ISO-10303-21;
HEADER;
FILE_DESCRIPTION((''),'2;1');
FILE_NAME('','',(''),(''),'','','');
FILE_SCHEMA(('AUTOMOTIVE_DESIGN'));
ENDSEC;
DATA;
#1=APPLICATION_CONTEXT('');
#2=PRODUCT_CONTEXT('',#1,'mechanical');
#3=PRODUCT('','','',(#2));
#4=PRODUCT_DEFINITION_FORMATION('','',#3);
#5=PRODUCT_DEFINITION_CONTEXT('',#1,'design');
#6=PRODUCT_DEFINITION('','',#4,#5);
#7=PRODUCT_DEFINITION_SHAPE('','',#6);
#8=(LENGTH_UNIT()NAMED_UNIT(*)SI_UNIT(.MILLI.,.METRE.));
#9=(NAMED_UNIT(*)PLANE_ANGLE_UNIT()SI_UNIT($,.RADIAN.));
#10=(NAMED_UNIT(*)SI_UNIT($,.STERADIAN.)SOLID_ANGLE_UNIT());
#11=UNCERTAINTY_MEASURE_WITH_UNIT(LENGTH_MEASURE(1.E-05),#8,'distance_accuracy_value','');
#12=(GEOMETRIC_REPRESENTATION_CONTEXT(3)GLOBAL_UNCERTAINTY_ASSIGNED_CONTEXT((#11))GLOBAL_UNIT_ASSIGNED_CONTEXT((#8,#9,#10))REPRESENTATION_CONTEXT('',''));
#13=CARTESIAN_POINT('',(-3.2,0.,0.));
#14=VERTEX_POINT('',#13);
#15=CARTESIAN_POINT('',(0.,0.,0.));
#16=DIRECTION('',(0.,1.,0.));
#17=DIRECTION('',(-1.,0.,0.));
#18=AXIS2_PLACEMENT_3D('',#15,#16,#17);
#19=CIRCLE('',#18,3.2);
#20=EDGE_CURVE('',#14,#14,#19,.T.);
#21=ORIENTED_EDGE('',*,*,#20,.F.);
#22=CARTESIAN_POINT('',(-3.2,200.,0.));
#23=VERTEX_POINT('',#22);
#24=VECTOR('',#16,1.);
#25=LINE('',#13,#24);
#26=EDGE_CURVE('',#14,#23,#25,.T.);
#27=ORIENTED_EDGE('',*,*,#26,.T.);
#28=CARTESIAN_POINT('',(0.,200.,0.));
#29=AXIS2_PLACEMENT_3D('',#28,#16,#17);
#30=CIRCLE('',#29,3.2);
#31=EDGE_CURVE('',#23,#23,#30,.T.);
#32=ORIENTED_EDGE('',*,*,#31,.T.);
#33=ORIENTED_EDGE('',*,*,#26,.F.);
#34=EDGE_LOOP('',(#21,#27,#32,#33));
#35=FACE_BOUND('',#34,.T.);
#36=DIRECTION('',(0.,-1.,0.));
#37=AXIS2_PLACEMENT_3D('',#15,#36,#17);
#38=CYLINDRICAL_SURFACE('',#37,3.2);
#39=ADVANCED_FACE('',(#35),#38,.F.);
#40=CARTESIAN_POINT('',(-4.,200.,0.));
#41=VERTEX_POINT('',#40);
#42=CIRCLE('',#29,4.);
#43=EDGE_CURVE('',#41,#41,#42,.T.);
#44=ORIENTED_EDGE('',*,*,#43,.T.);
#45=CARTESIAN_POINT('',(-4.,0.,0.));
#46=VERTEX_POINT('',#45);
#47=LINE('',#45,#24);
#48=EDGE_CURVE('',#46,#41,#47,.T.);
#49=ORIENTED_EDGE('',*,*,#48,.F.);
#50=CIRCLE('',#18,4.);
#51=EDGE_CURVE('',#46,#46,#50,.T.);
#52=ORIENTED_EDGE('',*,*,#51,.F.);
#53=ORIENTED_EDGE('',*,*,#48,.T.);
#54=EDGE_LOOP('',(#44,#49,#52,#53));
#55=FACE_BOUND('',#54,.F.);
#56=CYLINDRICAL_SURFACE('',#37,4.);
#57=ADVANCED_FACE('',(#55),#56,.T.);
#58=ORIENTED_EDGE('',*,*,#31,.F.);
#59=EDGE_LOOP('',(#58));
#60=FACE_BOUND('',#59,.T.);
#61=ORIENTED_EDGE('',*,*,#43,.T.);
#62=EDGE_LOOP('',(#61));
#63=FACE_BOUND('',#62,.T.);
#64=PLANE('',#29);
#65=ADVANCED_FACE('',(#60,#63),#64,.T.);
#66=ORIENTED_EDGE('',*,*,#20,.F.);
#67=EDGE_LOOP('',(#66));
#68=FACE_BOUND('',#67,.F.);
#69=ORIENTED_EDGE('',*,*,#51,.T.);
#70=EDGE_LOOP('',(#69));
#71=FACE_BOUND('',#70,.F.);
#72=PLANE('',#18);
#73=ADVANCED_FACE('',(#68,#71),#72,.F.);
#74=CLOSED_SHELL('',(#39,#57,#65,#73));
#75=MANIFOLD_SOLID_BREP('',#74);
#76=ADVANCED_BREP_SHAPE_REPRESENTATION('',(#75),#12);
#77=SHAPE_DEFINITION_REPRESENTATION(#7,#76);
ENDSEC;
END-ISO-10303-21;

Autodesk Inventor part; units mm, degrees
ref_plane "YZ Plane" through (0, 0, 0) normal (1, 0, 0) x (0, 1, 0)
ref_plane "XZ Plane" through (0, 0, 0) normal (0, 1, 0) x (-1, 0, 0)
ref_plane "XY Plane" through (0, 0, 0) normal (0, 0, 1) x (1, 0, 0)
sketch "Esquisse1" plane through (0, 0, 0) normal (0, 1, 0) x (-1, 0, 0)
  circle A0 centre (0, 0) radius 4
  circle A1 centre (0, 0) radius 3.2
  dimension "d0" = 8
  dimension "d1" = 6.4
extrude "Extrusion1" add sketch "Esquisse1" along normal blind 200
properties part number "Tige_rail"
